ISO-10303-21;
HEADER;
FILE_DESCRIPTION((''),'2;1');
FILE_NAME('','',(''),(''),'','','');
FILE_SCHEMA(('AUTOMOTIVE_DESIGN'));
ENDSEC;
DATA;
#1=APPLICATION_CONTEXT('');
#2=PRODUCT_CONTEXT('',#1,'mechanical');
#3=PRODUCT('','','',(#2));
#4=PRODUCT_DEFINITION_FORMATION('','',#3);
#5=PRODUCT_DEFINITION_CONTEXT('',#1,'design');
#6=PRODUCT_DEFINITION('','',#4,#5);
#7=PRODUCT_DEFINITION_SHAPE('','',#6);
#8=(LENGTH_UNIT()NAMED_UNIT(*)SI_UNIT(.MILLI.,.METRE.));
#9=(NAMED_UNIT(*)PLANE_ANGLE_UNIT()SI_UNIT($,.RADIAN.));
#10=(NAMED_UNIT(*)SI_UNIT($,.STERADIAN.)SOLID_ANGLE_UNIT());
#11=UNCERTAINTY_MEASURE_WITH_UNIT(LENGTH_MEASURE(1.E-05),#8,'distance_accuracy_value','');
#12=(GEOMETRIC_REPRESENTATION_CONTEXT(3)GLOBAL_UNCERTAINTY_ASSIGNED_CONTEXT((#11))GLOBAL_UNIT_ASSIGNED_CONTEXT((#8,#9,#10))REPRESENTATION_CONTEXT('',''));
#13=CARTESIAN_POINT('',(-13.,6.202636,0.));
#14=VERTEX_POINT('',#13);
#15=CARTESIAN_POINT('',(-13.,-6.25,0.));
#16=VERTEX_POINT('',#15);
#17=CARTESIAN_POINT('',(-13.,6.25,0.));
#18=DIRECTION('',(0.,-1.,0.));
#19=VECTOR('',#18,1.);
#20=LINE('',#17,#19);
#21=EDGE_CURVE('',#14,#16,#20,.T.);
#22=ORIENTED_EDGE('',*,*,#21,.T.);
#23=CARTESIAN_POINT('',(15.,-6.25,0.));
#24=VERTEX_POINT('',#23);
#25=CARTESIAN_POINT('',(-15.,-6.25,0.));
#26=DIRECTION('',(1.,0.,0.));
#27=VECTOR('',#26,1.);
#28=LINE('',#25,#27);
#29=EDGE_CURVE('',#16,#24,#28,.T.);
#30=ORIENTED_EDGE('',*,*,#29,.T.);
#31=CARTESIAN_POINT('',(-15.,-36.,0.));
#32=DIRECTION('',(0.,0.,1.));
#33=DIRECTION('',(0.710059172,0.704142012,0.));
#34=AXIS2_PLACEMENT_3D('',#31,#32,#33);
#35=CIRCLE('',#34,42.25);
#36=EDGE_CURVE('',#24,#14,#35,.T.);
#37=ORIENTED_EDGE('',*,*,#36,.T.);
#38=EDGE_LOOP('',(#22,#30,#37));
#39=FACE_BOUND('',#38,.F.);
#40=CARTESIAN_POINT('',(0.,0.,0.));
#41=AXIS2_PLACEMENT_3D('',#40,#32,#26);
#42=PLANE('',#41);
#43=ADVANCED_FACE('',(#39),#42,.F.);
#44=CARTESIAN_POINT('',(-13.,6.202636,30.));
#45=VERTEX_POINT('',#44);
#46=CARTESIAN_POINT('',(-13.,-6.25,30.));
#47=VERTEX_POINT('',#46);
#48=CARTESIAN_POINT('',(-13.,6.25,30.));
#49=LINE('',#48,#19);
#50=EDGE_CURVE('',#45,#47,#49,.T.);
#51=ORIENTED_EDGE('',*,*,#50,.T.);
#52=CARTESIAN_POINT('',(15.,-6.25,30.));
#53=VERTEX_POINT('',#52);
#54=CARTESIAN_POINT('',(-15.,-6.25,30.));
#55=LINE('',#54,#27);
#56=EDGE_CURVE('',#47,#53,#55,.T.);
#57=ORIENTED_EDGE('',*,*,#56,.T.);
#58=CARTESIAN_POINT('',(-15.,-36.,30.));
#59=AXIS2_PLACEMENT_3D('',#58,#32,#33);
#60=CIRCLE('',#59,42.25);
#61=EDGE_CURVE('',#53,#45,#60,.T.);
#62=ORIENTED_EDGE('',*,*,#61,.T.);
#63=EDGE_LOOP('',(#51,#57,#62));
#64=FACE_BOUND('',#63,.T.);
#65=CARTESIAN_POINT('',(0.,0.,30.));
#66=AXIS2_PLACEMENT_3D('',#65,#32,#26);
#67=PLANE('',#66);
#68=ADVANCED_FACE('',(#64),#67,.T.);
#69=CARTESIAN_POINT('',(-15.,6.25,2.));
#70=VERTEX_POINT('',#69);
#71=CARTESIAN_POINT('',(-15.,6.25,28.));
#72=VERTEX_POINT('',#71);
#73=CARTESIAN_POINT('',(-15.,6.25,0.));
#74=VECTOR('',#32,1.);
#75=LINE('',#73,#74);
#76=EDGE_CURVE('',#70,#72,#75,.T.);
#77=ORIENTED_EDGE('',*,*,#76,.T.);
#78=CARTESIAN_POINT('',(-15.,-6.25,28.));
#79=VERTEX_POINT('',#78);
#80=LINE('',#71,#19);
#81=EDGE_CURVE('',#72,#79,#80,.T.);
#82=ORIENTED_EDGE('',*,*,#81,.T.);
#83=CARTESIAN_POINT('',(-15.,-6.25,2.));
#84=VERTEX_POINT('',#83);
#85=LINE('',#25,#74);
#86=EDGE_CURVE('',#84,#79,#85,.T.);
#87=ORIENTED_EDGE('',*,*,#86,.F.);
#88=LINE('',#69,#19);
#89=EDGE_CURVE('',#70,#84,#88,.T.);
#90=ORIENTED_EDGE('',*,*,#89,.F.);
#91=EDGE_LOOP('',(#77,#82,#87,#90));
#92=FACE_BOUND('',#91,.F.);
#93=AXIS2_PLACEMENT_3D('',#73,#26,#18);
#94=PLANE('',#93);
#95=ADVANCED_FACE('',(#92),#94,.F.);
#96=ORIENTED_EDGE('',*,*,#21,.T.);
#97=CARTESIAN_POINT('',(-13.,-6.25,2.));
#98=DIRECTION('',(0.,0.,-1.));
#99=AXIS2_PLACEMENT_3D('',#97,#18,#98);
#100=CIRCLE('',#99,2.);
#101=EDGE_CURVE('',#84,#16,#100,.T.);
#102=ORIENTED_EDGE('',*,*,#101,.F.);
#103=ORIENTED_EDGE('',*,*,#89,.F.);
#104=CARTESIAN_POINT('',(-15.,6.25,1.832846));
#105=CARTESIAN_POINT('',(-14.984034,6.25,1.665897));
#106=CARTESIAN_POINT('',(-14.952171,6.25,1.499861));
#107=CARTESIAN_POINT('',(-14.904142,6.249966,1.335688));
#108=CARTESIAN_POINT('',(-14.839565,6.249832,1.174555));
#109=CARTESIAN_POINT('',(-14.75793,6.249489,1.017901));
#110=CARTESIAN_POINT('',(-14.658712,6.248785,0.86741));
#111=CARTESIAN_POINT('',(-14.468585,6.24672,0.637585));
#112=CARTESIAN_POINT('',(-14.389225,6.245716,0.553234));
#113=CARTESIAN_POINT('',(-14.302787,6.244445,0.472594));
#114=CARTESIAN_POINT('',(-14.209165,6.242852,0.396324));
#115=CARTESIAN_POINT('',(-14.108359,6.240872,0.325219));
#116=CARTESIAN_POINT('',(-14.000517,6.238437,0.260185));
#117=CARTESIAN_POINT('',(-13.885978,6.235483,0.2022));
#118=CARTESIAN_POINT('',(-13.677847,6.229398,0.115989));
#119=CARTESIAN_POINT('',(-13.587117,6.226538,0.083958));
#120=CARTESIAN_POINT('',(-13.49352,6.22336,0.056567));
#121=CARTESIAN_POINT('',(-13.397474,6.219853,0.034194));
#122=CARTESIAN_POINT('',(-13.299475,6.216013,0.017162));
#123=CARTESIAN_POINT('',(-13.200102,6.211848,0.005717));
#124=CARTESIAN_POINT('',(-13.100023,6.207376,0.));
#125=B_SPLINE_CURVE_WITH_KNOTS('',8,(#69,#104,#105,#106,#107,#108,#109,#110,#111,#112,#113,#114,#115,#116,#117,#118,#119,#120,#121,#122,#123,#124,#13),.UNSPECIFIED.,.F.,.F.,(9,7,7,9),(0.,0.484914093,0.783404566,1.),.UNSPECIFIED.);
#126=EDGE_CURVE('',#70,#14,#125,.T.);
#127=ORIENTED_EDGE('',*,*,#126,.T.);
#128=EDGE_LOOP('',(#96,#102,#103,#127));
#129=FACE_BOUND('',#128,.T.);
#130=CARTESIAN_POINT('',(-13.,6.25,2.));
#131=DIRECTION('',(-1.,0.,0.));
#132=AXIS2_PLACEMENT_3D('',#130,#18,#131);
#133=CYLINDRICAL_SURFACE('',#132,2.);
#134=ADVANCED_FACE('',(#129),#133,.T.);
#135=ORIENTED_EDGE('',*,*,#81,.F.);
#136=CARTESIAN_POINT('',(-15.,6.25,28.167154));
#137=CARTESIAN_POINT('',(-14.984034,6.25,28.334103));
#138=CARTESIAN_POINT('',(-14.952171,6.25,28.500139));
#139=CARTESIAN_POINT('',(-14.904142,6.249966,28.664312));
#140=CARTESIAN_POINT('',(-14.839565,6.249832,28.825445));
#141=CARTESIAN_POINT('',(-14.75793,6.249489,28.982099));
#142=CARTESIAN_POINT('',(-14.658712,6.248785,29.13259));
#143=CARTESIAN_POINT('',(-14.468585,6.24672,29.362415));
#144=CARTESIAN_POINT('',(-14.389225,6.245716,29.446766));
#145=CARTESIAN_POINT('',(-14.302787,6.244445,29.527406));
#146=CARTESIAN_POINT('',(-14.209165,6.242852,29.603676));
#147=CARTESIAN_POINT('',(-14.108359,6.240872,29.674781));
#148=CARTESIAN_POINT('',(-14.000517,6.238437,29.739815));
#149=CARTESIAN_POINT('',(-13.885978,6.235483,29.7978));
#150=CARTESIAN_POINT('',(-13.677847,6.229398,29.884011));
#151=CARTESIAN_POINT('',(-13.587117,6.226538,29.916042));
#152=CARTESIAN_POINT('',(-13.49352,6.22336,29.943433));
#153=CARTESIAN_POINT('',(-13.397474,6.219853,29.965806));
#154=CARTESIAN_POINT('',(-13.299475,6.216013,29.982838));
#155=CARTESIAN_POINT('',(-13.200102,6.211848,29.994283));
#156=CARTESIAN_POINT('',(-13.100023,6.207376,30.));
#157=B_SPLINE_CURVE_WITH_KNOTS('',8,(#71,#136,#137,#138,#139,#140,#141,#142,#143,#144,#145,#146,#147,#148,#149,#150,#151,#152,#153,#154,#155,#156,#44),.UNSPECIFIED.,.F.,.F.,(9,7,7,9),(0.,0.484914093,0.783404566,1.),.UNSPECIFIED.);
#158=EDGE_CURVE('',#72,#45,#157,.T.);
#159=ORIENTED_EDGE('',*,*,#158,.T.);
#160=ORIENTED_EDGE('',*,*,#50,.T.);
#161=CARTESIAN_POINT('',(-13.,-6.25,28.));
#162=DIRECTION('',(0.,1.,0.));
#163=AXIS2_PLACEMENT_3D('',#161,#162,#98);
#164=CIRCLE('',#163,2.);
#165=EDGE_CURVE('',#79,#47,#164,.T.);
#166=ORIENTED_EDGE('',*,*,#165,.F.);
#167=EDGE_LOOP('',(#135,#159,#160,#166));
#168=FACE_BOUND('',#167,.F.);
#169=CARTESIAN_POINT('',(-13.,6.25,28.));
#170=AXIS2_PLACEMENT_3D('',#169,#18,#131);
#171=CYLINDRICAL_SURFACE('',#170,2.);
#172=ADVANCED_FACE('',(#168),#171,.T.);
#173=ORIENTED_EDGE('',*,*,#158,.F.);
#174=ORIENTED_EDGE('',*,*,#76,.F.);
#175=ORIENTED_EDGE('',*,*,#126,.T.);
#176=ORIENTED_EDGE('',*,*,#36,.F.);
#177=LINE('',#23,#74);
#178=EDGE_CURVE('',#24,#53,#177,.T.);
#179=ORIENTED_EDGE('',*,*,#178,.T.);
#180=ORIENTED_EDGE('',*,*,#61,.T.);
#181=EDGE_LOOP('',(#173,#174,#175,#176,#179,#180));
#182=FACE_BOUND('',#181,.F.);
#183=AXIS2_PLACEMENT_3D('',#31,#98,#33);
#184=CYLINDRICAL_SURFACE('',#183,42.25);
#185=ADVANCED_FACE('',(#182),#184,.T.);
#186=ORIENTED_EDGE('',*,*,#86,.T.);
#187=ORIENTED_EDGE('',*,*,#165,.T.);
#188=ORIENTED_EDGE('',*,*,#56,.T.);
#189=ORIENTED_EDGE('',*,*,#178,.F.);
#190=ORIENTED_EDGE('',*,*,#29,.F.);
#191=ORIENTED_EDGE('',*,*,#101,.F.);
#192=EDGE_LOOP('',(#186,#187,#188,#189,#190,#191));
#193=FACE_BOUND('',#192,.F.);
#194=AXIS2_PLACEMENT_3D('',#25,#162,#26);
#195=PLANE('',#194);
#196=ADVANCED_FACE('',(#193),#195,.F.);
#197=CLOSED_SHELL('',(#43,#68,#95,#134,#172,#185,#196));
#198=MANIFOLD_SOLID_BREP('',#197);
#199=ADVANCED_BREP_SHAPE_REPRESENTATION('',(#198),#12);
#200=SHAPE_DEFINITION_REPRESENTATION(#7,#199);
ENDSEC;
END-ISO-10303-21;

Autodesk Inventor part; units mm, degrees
ref_plane "YZ Plane" through (0, 0, 0) normal (1, 0, 0) x (0, 1, 0)
ref_plane "XZ Plane" through (0, 0, 0) normal (0, 1, 0) x (-1, 0, 0)
ref_plane "XY Plane" through (0, 0, 0) normal (0, 0, 1) x (1, 0, 0)
sketch "Sketch1" plane through (0, 0, 0) normal (0, 0, 1) x (1, 0, 0)
  line L0 (-15, -6.25) -> (15, -6.25)
  line L1 (15, -6.25) -> (15, 6.25)
  line L2 (15, 6.25) -> (-15, 6.25)
  line L3 (-15, 6.25) -> (-15, -6.25)
  line L4 (-15, -6.25) -> (15, 6.25) construction
  line L5 (15, -6.25) -> (-15, 6.25) construction
  arc A0 (15, -6.25) -> (-15, 6.25) centre (-15, -36) ccw
  point P0 (0, 0)
  dimension "d0" = 30
  dimension "d1" = 12.5
extrude "Extrusion1" add sketch "Sketch1" along normal blind 30 contours L3 A0 L0
fillet "Fillet1" radius 2 2 edges at (-15, 0, 30) (-15, 0, 0)
properties part number "linear_stop_brackets"
